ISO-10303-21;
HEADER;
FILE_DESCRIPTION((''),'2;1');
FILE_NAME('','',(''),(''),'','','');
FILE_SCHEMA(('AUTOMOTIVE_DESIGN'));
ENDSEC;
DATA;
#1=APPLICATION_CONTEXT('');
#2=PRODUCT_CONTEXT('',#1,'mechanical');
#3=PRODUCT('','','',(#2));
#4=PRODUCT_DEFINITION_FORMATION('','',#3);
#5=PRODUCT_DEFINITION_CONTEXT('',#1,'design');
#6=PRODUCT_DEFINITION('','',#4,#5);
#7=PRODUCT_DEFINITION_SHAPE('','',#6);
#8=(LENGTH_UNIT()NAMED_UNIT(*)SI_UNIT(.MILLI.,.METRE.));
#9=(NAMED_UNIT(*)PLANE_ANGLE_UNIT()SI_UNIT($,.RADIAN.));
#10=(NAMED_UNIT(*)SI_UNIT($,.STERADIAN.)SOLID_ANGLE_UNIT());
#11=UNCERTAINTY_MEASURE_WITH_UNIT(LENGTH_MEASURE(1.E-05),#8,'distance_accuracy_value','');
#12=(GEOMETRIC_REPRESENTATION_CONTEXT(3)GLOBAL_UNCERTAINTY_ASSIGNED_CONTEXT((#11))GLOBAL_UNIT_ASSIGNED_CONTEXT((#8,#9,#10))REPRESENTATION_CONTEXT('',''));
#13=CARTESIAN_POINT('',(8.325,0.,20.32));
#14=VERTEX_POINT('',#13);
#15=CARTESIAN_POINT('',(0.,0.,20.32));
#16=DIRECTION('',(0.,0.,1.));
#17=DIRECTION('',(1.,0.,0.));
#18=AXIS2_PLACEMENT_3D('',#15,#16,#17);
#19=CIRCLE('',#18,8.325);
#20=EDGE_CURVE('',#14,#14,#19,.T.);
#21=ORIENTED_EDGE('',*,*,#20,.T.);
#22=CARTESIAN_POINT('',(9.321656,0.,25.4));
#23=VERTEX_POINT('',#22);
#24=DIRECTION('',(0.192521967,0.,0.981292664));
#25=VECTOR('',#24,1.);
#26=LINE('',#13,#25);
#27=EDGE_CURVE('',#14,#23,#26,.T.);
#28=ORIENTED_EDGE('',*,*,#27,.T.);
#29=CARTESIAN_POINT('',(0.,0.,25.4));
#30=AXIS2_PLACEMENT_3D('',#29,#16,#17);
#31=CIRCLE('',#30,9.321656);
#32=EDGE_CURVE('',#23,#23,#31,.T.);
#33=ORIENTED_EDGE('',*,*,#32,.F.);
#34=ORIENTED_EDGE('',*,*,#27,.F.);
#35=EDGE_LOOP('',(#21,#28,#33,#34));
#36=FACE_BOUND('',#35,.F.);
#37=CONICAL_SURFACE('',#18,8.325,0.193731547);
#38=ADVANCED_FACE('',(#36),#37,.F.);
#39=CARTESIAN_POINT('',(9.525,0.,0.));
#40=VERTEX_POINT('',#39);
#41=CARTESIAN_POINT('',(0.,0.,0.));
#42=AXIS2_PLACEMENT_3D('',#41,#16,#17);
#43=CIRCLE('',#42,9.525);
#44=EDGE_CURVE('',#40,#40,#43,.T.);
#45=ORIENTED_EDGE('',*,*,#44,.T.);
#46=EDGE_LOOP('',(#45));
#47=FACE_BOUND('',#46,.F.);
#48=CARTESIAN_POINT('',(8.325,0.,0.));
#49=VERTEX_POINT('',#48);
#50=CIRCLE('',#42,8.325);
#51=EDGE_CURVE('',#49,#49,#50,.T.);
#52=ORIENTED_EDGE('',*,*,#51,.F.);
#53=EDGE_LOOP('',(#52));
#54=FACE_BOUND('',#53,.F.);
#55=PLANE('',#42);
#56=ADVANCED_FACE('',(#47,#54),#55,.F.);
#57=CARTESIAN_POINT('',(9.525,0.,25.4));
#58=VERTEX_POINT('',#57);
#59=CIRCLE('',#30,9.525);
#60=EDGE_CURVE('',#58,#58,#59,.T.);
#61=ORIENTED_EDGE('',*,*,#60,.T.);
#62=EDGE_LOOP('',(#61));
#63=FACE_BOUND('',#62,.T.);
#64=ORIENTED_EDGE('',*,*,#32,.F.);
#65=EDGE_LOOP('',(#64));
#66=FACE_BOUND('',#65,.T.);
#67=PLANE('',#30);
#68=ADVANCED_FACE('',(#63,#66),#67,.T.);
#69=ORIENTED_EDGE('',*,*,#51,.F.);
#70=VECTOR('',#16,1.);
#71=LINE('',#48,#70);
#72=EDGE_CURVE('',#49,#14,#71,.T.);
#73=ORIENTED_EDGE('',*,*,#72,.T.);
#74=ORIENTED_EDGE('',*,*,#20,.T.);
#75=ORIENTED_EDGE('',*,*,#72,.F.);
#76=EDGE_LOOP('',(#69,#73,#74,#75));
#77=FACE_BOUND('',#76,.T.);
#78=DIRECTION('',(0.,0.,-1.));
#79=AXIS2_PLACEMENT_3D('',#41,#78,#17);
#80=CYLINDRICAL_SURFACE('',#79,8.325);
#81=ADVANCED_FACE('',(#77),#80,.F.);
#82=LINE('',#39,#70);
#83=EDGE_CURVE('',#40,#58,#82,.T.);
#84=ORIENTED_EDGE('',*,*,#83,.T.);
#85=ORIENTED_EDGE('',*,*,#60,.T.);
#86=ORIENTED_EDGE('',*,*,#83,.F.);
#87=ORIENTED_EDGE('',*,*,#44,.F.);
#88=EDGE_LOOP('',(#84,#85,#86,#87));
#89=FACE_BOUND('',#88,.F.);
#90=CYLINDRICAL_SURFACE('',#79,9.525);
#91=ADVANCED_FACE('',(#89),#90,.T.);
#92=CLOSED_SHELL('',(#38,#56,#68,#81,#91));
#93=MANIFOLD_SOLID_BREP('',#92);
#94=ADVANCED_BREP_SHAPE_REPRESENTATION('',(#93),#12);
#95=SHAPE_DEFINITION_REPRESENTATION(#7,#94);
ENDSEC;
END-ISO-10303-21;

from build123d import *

# Parameters (mm, degrees)
F0_R     = 9.525
F1_DEPTH = 25.4
F2_T     = -1.2
F3_SIZE2 = 0.9966563757
F3_SIZE  = 5.08


with BuildPart() as f1:
    # F0 (on Top) → F1 (new body)
    with BuildSketch(Plane.XY):
        Circle(F0_R)
    extrude(amount=F1_DEPTH)

    # F2
    f2_openings = [f1.faces().sort_by_distance(p)[0] for p in [
        (0, 0, 25.4),
        (0, 0, 0),
    ]]
    offset(amount=F2_T, openings=f2_openings)

    # F3
    f3_edges = [f1.edges().sort_by_distance(p)[0] for p in [
        (-8.325, 0, 25.4),
    ]]
    chamfer(f3_edges, length=F3_SIZE, length2=F3_SIZE2)


solid = f1.part
